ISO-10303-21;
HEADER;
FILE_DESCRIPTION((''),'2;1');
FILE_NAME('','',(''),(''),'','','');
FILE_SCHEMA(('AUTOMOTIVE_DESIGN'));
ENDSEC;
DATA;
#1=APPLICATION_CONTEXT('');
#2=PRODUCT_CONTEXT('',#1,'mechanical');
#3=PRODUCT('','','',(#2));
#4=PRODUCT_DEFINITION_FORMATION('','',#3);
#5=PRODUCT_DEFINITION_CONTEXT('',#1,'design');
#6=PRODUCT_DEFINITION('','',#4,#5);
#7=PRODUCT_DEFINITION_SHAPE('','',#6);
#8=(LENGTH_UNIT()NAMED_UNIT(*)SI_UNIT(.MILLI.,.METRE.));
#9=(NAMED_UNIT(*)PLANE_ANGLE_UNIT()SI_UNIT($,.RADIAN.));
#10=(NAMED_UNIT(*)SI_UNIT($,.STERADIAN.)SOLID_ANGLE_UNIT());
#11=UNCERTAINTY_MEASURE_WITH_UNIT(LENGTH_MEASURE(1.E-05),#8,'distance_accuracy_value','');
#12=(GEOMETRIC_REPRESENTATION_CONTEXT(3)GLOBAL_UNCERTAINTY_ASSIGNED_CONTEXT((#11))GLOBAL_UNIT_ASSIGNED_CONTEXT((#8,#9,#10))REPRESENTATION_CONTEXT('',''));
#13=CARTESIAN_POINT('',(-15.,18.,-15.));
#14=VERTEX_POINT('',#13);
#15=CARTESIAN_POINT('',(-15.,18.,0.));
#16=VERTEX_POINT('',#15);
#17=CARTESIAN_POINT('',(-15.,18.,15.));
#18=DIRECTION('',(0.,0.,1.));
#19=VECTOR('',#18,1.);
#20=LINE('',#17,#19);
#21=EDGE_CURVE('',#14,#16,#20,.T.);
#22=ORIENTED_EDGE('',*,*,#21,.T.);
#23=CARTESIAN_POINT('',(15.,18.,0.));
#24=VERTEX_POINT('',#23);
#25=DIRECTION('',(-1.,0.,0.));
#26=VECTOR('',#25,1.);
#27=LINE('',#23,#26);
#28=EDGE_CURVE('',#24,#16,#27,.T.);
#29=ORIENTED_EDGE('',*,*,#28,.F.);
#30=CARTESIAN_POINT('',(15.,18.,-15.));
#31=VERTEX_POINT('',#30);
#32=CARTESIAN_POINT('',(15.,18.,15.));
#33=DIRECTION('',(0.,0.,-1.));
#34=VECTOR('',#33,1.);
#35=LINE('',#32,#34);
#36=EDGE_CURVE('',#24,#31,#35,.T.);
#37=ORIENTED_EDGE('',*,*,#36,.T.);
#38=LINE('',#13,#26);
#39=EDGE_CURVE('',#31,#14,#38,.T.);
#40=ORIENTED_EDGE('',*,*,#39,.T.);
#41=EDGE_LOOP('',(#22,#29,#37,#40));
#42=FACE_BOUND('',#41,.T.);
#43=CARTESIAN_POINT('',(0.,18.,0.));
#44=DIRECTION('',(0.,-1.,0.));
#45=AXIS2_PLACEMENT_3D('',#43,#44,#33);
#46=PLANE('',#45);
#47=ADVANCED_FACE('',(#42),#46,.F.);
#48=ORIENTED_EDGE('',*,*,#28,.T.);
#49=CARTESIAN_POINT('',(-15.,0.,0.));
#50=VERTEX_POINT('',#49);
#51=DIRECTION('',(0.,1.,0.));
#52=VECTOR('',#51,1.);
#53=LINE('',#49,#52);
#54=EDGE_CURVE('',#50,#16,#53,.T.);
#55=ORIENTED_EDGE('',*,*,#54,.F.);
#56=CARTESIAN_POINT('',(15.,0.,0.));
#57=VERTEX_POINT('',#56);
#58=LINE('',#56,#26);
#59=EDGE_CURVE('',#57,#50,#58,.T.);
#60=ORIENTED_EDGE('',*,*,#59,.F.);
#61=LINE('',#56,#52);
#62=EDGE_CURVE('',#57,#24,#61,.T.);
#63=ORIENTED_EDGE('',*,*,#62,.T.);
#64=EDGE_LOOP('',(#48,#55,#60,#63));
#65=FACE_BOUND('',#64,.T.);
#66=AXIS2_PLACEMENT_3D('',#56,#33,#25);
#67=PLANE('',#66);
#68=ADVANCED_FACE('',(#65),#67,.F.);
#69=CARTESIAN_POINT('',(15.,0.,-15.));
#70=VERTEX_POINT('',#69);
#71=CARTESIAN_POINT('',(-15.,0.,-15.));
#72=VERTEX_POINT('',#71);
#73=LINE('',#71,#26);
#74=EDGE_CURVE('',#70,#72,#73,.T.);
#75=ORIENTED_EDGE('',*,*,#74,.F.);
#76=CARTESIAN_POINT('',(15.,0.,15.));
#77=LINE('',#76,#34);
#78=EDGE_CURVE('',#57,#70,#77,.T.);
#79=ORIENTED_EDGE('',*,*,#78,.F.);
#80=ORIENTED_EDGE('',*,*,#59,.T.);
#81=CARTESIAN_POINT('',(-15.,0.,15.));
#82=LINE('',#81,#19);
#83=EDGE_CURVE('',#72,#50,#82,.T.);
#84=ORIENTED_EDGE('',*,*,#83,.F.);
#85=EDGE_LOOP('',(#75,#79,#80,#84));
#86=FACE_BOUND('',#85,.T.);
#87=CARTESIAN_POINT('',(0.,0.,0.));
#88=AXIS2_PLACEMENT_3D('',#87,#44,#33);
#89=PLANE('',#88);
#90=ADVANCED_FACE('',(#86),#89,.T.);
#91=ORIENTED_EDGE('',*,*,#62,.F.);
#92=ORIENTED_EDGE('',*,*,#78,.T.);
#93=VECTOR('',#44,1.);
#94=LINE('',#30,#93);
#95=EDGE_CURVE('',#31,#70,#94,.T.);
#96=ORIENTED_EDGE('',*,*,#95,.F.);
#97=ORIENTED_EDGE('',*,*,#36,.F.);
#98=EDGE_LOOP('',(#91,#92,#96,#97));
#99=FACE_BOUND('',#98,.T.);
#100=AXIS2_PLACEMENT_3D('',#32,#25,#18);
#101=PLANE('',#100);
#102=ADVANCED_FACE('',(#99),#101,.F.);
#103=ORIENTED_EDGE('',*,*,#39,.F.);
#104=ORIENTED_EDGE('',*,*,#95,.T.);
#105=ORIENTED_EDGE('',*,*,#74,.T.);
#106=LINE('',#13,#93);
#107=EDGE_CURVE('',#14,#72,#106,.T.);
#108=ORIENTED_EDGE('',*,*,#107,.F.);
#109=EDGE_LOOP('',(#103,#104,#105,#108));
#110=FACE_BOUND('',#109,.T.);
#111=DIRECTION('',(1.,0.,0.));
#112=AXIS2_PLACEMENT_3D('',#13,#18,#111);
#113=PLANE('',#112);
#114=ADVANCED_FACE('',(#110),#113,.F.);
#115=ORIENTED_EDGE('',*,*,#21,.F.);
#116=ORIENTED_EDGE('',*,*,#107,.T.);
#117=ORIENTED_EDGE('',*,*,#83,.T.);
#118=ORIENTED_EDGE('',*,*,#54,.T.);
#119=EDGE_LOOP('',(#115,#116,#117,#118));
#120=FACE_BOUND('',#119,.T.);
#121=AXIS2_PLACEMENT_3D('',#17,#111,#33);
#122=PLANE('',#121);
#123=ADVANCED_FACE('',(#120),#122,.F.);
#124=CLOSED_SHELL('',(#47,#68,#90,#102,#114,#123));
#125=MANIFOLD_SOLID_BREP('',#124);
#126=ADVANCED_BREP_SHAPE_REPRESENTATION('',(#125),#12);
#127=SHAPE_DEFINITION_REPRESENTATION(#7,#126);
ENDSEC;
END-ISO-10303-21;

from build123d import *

# Parameters (mm, degrees)
SKETCH1_W           = 30
SKETCH1_H           = 30
BOSS_EXTRUDE1_DEPTH = 18
SKETCH2_W           = 15
SKETCH2_H           = 15
CUT_EXTRUDE1_DEPTH  = 28.820855486
SKETCH3_W           = 15
SKETCH3_H           = 15
CUT_EXTRUDE2_DEPTH  = 28.820855486


with BuildPart() as part:
    # Sketch1 → Boss-Extrude1 (new body)
    with BuildSketch(Plane(origin=(0, 0, 0), x_dir=(1, 0, 0), z_dir=(0, 1, 0))):
        Rectangle(SKETCH1_W, SKETCH1_H)
    extrude(amount=BOSS_EXTRUDE1_DEPTH)

    # Sketch2 → Cut-Extrude1 (cut, through all)
    with BuildSketch(Plane(origin=(0, 18, 0), x_dir=(1, 0, 0), z_dir=(0, 1, 0))):
        with Locations((7.5, -7.5)):
            Rectangle(SKETCH2_W, SKETCH2_H)
    extrude(amount=-CUT_EXTRUDE1_DEPTH, mode=Mode.SUBTRACT)

    # Sketch3 → Cut-Extrude2 (cut, through all)
    with BuildSketch(Plane(origin=(0, 18, 0), x_dir=(1, 0, 0), z_dir=(0, 1, 0))):
        with Locations((-7.5, -7.5)):
            Rectangle(SKETCH3_W, SKETCH3_H)
    extrude(amount=-CUT_EXTRUDE2_DEPTH, mode=Mode.SUBTRACT)


solid = part.part
